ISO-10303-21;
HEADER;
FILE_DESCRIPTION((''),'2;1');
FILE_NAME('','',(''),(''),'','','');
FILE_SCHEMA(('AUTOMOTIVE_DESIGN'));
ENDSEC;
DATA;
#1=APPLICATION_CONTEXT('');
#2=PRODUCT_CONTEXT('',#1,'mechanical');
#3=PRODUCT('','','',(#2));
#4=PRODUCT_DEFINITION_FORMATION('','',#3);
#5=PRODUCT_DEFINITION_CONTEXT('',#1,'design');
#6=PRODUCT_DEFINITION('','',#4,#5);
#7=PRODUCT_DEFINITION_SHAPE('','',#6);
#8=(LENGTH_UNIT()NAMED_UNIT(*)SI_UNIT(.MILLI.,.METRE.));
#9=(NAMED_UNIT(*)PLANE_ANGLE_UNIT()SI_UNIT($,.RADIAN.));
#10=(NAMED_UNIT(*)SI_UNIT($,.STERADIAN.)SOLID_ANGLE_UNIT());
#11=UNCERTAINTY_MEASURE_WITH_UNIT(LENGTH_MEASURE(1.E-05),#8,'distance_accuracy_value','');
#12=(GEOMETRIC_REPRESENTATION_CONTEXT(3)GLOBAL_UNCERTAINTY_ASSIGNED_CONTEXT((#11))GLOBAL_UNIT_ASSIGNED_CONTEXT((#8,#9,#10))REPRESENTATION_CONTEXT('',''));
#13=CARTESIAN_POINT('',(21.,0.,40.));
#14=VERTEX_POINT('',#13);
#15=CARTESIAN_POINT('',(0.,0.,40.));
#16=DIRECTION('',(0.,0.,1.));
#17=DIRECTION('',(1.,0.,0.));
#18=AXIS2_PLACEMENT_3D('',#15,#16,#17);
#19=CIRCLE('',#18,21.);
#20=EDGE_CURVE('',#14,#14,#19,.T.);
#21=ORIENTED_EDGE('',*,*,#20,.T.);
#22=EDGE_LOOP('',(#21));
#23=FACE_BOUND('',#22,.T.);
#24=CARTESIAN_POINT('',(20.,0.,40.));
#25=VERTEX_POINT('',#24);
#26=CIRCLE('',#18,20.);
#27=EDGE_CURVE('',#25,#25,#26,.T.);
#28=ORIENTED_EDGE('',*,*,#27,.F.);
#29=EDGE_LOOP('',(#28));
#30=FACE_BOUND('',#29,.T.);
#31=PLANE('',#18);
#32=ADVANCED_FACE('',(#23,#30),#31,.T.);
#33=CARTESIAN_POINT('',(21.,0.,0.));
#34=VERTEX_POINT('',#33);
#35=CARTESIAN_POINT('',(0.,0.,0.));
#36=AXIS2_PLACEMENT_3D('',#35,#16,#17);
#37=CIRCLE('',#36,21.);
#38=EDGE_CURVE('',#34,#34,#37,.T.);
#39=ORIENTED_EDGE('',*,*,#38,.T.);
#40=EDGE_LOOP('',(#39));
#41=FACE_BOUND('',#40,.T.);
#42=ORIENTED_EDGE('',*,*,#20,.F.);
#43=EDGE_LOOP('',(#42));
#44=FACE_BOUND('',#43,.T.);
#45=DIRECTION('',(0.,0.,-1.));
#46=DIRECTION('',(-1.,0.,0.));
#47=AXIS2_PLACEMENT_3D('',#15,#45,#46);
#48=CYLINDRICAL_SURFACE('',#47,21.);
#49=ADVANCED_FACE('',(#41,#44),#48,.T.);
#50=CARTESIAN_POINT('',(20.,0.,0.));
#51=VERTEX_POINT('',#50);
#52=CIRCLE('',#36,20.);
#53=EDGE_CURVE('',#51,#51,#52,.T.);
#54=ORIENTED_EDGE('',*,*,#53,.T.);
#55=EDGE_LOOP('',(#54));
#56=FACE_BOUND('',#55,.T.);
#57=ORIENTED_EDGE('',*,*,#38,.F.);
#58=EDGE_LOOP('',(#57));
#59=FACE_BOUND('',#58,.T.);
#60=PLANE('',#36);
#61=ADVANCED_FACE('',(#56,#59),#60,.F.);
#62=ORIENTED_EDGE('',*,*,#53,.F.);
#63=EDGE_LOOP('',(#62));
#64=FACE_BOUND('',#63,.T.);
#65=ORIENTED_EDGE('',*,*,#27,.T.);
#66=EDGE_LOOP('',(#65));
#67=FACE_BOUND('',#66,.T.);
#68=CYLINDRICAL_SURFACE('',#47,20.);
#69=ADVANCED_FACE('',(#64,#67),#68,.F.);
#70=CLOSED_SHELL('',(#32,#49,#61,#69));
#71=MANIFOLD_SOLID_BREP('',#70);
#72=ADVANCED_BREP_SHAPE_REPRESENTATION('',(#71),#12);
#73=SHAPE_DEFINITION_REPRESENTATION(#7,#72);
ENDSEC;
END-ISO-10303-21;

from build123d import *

# Parameters (mm, degrees)
IZIM1_R                     = 21
IZIM1_R_2                   = 20
Y_KSEKLIK_EKSTR_ZYON1_DEPTH = 40


with BuildPart() as part:
    # Çizim1 → Yükseklik-Ekstrüzyon1 (new body)
    with BuildSketch(Plane.XY):
        Circle(IZIM1_R)
        Circle(IZIM1_R_2, mode=Mode.SUBTRACT)
    extrude(amount=Y_KSEKLIK_EKSTR_ZYON1_DEPTH)


solid = part.part
